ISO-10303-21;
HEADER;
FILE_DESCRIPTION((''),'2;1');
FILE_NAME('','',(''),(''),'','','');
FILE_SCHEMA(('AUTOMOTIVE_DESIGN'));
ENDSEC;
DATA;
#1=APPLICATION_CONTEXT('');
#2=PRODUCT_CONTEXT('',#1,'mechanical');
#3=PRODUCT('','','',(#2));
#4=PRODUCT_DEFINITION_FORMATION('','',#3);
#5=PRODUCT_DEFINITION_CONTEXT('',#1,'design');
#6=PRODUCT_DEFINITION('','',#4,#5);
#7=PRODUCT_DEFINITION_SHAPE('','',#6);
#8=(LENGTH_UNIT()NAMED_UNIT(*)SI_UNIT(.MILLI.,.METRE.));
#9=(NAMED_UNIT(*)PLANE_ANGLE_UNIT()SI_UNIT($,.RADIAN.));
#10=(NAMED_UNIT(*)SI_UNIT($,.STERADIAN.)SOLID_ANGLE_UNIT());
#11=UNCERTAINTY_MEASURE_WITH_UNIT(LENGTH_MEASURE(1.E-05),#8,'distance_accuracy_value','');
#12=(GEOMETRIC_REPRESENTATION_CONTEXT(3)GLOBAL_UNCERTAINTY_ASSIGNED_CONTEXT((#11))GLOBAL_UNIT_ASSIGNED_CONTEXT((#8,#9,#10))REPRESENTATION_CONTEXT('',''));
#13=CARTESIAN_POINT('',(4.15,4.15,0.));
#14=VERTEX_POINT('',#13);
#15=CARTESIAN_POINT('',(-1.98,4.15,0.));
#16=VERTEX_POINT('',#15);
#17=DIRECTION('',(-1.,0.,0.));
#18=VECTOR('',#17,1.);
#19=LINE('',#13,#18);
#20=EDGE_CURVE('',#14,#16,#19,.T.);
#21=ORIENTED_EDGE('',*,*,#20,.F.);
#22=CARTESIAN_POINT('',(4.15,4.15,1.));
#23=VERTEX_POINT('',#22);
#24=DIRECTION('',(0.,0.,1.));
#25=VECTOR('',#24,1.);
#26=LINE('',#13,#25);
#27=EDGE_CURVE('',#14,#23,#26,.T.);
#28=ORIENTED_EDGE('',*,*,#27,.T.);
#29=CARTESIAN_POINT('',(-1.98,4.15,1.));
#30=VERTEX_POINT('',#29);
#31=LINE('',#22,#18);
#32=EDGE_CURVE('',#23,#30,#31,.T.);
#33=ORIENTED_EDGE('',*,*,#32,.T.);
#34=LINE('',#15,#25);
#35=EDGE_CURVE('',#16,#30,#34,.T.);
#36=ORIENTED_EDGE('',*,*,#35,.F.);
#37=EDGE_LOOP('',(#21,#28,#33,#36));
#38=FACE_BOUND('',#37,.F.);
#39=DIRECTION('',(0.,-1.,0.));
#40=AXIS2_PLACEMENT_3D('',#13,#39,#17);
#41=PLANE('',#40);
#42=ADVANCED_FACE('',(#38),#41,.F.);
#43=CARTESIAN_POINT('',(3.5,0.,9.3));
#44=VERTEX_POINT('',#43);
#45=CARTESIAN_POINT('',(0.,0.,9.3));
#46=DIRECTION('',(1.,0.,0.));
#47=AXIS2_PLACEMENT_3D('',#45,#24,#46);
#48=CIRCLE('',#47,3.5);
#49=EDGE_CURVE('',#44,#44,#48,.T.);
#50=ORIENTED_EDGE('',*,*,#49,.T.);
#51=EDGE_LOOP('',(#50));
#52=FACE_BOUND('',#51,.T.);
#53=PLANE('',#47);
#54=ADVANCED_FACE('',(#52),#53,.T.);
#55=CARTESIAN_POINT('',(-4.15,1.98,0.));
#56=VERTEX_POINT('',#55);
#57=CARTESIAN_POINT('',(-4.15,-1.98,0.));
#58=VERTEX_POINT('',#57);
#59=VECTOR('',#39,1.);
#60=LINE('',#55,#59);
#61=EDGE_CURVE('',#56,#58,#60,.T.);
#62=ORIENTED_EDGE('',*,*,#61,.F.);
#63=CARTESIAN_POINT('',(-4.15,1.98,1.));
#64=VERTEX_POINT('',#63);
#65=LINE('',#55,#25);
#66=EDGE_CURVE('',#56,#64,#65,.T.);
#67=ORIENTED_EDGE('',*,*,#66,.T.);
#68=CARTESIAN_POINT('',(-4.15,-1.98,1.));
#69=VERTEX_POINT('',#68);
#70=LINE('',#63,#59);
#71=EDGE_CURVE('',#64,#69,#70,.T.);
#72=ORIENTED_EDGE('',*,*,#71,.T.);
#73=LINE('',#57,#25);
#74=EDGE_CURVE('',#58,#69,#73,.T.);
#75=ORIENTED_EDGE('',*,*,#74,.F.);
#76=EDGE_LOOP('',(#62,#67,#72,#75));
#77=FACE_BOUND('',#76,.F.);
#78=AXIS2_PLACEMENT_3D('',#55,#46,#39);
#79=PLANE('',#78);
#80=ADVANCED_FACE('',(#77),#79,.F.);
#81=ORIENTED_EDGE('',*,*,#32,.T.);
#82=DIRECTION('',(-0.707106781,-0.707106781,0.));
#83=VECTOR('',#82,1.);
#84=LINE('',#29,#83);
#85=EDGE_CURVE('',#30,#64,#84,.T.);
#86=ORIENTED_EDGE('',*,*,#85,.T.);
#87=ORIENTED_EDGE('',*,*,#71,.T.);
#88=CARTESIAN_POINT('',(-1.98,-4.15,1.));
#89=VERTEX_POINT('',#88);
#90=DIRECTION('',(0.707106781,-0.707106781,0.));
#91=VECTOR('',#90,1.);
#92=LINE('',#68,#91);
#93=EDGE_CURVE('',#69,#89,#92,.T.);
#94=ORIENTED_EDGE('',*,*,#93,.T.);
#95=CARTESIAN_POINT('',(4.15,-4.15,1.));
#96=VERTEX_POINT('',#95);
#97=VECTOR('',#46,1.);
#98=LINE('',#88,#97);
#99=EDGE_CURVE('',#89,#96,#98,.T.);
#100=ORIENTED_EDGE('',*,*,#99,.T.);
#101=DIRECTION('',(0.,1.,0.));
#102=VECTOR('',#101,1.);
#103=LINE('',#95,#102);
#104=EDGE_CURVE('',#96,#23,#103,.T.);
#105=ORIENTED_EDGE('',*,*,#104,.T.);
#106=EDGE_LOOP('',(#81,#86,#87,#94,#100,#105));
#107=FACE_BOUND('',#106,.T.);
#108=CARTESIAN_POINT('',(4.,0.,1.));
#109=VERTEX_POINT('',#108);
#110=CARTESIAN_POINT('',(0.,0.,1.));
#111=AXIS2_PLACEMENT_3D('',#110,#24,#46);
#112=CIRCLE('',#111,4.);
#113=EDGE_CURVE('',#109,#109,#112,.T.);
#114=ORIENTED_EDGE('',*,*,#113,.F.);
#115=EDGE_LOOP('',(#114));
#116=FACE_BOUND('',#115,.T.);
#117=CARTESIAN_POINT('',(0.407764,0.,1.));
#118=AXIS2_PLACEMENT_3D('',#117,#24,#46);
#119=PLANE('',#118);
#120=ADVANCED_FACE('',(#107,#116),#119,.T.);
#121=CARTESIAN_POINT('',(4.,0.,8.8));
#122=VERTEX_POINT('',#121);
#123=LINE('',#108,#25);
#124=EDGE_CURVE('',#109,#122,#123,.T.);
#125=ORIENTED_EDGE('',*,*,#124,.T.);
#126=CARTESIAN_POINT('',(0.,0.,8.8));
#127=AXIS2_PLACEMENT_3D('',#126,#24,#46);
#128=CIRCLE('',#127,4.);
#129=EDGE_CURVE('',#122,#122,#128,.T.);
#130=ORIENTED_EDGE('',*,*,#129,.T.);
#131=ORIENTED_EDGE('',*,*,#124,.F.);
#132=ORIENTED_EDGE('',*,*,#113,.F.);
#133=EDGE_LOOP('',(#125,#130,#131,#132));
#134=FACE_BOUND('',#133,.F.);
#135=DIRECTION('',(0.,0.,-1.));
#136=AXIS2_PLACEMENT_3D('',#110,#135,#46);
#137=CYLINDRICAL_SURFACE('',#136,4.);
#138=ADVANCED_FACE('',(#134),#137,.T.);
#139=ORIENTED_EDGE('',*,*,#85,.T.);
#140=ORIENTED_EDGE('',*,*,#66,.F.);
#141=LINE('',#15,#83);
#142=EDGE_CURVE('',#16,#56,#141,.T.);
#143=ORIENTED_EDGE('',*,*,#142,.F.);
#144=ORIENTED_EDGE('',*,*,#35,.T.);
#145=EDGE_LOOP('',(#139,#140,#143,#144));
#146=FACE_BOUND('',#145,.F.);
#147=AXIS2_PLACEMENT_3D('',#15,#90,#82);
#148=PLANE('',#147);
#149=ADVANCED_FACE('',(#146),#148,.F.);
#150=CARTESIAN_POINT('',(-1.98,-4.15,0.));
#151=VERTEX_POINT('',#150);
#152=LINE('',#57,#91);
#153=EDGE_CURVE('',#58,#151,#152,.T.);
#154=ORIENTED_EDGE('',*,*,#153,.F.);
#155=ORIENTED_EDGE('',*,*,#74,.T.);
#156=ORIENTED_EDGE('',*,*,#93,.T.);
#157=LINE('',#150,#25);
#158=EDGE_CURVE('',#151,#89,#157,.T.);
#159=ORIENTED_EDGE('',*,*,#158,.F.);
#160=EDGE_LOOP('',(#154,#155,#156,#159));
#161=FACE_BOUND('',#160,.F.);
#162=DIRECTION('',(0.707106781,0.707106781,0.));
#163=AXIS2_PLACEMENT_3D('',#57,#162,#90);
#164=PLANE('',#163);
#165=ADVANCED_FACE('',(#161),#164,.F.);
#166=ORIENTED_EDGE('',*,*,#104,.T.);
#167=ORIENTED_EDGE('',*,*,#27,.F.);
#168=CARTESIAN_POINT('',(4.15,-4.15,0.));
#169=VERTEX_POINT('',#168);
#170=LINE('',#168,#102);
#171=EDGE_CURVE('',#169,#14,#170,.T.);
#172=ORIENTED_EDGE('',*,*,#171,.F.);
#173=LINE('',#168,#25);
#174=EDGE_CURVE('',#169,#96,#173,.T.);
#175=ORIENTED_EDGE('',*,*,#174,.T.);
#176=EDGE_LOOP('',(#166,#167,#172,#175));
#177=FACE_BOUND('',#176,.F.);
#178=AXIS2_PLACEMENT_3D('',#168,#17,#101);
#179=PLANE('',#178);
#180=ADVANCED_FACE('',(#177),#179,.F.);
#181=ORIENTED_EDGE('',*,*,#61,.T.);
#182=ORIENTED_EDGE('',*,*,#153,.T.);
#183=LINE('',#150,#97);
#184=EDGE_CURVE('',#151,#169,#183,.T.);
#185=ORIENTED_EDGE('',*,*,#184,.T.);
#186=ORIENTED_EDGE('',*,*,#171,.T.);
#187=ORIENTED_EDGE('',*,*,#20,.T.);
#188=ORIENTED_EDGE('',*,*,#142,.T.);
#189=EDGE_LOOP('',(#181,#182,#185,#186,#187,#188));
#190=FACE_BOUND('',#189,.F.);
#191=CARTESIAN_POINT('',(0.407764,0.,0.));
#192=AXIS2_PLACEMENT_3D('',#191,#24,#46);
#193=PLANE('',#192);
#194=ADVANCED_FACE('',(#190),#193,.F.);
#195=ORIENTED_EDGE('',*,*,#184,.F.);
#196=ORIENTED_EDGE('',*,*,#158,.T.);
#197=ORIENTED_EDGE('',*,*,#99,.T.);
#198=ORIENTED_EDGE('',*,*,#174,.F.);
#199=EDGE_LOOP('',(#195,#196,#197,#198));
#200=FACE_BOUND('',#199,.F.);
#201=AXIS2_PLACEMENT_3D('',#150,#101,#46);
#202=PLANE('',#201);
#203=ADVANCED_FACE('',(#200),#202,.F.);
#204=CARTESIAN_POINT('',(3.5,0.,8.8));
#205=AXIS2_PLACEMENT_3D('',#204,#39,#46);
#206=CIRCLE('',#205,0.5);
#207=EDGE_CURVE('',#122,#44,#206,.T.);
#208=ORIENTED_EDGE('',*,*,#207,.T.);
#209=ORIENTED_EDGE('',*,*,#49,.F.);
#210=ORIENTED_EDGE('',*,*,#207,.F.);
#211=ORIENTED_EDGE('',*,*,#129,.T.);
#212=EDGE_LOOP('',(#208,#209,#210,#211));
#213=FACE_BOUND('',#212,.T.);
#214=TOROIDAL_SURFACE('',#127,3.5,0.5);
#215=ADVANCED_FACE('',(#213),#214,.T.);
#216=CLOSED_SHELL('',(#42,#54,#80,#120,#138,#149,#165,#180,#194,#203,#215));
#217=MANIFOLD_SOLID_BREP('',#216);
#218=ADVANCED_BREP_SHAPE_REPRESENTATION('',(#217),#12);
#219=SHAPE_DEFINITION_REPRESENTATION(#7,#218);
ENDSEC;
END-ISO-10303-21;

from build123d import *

# Parameters (mm, degrees)
BOSS_EXTRUDE1_DEPTH = 1
SKETCH3_R           = 4
BOSS_EXTRUDE2_DEPTH = 8.3
FILLET2_R           = 0.5


with BuildPart() as part:
    # Sketch2 → Boss-Extrude1 (new body)
    with BuildSketch(Plane.XY):
        Polygon((-1.98, 4.15), (-4.15, 1.98), (-4.15, -1.98), (-1.98, -4.15), (4.15, -4.15), (4.15, 4.15), align=None)
    extrude(amount=BOSS_EXTRUDE1_DEPTH)

    # Sketch3 → Boss-Extrude2 (add)
    with BuildSketch(Plane.XY.offset(1)):
        Circle(SKETCH3_R)
    extrude(amount=BOSS_EXTRUDE2_DEPTH)

    # Fillet2
    fillet2_edges = [part.edges().sort_by_distance(p)[0] for p in [
        (-4, 0, 9.3),
    ]]
    fillet(fillet2_edges, radius=FILLET2_R)


solid = part.part
